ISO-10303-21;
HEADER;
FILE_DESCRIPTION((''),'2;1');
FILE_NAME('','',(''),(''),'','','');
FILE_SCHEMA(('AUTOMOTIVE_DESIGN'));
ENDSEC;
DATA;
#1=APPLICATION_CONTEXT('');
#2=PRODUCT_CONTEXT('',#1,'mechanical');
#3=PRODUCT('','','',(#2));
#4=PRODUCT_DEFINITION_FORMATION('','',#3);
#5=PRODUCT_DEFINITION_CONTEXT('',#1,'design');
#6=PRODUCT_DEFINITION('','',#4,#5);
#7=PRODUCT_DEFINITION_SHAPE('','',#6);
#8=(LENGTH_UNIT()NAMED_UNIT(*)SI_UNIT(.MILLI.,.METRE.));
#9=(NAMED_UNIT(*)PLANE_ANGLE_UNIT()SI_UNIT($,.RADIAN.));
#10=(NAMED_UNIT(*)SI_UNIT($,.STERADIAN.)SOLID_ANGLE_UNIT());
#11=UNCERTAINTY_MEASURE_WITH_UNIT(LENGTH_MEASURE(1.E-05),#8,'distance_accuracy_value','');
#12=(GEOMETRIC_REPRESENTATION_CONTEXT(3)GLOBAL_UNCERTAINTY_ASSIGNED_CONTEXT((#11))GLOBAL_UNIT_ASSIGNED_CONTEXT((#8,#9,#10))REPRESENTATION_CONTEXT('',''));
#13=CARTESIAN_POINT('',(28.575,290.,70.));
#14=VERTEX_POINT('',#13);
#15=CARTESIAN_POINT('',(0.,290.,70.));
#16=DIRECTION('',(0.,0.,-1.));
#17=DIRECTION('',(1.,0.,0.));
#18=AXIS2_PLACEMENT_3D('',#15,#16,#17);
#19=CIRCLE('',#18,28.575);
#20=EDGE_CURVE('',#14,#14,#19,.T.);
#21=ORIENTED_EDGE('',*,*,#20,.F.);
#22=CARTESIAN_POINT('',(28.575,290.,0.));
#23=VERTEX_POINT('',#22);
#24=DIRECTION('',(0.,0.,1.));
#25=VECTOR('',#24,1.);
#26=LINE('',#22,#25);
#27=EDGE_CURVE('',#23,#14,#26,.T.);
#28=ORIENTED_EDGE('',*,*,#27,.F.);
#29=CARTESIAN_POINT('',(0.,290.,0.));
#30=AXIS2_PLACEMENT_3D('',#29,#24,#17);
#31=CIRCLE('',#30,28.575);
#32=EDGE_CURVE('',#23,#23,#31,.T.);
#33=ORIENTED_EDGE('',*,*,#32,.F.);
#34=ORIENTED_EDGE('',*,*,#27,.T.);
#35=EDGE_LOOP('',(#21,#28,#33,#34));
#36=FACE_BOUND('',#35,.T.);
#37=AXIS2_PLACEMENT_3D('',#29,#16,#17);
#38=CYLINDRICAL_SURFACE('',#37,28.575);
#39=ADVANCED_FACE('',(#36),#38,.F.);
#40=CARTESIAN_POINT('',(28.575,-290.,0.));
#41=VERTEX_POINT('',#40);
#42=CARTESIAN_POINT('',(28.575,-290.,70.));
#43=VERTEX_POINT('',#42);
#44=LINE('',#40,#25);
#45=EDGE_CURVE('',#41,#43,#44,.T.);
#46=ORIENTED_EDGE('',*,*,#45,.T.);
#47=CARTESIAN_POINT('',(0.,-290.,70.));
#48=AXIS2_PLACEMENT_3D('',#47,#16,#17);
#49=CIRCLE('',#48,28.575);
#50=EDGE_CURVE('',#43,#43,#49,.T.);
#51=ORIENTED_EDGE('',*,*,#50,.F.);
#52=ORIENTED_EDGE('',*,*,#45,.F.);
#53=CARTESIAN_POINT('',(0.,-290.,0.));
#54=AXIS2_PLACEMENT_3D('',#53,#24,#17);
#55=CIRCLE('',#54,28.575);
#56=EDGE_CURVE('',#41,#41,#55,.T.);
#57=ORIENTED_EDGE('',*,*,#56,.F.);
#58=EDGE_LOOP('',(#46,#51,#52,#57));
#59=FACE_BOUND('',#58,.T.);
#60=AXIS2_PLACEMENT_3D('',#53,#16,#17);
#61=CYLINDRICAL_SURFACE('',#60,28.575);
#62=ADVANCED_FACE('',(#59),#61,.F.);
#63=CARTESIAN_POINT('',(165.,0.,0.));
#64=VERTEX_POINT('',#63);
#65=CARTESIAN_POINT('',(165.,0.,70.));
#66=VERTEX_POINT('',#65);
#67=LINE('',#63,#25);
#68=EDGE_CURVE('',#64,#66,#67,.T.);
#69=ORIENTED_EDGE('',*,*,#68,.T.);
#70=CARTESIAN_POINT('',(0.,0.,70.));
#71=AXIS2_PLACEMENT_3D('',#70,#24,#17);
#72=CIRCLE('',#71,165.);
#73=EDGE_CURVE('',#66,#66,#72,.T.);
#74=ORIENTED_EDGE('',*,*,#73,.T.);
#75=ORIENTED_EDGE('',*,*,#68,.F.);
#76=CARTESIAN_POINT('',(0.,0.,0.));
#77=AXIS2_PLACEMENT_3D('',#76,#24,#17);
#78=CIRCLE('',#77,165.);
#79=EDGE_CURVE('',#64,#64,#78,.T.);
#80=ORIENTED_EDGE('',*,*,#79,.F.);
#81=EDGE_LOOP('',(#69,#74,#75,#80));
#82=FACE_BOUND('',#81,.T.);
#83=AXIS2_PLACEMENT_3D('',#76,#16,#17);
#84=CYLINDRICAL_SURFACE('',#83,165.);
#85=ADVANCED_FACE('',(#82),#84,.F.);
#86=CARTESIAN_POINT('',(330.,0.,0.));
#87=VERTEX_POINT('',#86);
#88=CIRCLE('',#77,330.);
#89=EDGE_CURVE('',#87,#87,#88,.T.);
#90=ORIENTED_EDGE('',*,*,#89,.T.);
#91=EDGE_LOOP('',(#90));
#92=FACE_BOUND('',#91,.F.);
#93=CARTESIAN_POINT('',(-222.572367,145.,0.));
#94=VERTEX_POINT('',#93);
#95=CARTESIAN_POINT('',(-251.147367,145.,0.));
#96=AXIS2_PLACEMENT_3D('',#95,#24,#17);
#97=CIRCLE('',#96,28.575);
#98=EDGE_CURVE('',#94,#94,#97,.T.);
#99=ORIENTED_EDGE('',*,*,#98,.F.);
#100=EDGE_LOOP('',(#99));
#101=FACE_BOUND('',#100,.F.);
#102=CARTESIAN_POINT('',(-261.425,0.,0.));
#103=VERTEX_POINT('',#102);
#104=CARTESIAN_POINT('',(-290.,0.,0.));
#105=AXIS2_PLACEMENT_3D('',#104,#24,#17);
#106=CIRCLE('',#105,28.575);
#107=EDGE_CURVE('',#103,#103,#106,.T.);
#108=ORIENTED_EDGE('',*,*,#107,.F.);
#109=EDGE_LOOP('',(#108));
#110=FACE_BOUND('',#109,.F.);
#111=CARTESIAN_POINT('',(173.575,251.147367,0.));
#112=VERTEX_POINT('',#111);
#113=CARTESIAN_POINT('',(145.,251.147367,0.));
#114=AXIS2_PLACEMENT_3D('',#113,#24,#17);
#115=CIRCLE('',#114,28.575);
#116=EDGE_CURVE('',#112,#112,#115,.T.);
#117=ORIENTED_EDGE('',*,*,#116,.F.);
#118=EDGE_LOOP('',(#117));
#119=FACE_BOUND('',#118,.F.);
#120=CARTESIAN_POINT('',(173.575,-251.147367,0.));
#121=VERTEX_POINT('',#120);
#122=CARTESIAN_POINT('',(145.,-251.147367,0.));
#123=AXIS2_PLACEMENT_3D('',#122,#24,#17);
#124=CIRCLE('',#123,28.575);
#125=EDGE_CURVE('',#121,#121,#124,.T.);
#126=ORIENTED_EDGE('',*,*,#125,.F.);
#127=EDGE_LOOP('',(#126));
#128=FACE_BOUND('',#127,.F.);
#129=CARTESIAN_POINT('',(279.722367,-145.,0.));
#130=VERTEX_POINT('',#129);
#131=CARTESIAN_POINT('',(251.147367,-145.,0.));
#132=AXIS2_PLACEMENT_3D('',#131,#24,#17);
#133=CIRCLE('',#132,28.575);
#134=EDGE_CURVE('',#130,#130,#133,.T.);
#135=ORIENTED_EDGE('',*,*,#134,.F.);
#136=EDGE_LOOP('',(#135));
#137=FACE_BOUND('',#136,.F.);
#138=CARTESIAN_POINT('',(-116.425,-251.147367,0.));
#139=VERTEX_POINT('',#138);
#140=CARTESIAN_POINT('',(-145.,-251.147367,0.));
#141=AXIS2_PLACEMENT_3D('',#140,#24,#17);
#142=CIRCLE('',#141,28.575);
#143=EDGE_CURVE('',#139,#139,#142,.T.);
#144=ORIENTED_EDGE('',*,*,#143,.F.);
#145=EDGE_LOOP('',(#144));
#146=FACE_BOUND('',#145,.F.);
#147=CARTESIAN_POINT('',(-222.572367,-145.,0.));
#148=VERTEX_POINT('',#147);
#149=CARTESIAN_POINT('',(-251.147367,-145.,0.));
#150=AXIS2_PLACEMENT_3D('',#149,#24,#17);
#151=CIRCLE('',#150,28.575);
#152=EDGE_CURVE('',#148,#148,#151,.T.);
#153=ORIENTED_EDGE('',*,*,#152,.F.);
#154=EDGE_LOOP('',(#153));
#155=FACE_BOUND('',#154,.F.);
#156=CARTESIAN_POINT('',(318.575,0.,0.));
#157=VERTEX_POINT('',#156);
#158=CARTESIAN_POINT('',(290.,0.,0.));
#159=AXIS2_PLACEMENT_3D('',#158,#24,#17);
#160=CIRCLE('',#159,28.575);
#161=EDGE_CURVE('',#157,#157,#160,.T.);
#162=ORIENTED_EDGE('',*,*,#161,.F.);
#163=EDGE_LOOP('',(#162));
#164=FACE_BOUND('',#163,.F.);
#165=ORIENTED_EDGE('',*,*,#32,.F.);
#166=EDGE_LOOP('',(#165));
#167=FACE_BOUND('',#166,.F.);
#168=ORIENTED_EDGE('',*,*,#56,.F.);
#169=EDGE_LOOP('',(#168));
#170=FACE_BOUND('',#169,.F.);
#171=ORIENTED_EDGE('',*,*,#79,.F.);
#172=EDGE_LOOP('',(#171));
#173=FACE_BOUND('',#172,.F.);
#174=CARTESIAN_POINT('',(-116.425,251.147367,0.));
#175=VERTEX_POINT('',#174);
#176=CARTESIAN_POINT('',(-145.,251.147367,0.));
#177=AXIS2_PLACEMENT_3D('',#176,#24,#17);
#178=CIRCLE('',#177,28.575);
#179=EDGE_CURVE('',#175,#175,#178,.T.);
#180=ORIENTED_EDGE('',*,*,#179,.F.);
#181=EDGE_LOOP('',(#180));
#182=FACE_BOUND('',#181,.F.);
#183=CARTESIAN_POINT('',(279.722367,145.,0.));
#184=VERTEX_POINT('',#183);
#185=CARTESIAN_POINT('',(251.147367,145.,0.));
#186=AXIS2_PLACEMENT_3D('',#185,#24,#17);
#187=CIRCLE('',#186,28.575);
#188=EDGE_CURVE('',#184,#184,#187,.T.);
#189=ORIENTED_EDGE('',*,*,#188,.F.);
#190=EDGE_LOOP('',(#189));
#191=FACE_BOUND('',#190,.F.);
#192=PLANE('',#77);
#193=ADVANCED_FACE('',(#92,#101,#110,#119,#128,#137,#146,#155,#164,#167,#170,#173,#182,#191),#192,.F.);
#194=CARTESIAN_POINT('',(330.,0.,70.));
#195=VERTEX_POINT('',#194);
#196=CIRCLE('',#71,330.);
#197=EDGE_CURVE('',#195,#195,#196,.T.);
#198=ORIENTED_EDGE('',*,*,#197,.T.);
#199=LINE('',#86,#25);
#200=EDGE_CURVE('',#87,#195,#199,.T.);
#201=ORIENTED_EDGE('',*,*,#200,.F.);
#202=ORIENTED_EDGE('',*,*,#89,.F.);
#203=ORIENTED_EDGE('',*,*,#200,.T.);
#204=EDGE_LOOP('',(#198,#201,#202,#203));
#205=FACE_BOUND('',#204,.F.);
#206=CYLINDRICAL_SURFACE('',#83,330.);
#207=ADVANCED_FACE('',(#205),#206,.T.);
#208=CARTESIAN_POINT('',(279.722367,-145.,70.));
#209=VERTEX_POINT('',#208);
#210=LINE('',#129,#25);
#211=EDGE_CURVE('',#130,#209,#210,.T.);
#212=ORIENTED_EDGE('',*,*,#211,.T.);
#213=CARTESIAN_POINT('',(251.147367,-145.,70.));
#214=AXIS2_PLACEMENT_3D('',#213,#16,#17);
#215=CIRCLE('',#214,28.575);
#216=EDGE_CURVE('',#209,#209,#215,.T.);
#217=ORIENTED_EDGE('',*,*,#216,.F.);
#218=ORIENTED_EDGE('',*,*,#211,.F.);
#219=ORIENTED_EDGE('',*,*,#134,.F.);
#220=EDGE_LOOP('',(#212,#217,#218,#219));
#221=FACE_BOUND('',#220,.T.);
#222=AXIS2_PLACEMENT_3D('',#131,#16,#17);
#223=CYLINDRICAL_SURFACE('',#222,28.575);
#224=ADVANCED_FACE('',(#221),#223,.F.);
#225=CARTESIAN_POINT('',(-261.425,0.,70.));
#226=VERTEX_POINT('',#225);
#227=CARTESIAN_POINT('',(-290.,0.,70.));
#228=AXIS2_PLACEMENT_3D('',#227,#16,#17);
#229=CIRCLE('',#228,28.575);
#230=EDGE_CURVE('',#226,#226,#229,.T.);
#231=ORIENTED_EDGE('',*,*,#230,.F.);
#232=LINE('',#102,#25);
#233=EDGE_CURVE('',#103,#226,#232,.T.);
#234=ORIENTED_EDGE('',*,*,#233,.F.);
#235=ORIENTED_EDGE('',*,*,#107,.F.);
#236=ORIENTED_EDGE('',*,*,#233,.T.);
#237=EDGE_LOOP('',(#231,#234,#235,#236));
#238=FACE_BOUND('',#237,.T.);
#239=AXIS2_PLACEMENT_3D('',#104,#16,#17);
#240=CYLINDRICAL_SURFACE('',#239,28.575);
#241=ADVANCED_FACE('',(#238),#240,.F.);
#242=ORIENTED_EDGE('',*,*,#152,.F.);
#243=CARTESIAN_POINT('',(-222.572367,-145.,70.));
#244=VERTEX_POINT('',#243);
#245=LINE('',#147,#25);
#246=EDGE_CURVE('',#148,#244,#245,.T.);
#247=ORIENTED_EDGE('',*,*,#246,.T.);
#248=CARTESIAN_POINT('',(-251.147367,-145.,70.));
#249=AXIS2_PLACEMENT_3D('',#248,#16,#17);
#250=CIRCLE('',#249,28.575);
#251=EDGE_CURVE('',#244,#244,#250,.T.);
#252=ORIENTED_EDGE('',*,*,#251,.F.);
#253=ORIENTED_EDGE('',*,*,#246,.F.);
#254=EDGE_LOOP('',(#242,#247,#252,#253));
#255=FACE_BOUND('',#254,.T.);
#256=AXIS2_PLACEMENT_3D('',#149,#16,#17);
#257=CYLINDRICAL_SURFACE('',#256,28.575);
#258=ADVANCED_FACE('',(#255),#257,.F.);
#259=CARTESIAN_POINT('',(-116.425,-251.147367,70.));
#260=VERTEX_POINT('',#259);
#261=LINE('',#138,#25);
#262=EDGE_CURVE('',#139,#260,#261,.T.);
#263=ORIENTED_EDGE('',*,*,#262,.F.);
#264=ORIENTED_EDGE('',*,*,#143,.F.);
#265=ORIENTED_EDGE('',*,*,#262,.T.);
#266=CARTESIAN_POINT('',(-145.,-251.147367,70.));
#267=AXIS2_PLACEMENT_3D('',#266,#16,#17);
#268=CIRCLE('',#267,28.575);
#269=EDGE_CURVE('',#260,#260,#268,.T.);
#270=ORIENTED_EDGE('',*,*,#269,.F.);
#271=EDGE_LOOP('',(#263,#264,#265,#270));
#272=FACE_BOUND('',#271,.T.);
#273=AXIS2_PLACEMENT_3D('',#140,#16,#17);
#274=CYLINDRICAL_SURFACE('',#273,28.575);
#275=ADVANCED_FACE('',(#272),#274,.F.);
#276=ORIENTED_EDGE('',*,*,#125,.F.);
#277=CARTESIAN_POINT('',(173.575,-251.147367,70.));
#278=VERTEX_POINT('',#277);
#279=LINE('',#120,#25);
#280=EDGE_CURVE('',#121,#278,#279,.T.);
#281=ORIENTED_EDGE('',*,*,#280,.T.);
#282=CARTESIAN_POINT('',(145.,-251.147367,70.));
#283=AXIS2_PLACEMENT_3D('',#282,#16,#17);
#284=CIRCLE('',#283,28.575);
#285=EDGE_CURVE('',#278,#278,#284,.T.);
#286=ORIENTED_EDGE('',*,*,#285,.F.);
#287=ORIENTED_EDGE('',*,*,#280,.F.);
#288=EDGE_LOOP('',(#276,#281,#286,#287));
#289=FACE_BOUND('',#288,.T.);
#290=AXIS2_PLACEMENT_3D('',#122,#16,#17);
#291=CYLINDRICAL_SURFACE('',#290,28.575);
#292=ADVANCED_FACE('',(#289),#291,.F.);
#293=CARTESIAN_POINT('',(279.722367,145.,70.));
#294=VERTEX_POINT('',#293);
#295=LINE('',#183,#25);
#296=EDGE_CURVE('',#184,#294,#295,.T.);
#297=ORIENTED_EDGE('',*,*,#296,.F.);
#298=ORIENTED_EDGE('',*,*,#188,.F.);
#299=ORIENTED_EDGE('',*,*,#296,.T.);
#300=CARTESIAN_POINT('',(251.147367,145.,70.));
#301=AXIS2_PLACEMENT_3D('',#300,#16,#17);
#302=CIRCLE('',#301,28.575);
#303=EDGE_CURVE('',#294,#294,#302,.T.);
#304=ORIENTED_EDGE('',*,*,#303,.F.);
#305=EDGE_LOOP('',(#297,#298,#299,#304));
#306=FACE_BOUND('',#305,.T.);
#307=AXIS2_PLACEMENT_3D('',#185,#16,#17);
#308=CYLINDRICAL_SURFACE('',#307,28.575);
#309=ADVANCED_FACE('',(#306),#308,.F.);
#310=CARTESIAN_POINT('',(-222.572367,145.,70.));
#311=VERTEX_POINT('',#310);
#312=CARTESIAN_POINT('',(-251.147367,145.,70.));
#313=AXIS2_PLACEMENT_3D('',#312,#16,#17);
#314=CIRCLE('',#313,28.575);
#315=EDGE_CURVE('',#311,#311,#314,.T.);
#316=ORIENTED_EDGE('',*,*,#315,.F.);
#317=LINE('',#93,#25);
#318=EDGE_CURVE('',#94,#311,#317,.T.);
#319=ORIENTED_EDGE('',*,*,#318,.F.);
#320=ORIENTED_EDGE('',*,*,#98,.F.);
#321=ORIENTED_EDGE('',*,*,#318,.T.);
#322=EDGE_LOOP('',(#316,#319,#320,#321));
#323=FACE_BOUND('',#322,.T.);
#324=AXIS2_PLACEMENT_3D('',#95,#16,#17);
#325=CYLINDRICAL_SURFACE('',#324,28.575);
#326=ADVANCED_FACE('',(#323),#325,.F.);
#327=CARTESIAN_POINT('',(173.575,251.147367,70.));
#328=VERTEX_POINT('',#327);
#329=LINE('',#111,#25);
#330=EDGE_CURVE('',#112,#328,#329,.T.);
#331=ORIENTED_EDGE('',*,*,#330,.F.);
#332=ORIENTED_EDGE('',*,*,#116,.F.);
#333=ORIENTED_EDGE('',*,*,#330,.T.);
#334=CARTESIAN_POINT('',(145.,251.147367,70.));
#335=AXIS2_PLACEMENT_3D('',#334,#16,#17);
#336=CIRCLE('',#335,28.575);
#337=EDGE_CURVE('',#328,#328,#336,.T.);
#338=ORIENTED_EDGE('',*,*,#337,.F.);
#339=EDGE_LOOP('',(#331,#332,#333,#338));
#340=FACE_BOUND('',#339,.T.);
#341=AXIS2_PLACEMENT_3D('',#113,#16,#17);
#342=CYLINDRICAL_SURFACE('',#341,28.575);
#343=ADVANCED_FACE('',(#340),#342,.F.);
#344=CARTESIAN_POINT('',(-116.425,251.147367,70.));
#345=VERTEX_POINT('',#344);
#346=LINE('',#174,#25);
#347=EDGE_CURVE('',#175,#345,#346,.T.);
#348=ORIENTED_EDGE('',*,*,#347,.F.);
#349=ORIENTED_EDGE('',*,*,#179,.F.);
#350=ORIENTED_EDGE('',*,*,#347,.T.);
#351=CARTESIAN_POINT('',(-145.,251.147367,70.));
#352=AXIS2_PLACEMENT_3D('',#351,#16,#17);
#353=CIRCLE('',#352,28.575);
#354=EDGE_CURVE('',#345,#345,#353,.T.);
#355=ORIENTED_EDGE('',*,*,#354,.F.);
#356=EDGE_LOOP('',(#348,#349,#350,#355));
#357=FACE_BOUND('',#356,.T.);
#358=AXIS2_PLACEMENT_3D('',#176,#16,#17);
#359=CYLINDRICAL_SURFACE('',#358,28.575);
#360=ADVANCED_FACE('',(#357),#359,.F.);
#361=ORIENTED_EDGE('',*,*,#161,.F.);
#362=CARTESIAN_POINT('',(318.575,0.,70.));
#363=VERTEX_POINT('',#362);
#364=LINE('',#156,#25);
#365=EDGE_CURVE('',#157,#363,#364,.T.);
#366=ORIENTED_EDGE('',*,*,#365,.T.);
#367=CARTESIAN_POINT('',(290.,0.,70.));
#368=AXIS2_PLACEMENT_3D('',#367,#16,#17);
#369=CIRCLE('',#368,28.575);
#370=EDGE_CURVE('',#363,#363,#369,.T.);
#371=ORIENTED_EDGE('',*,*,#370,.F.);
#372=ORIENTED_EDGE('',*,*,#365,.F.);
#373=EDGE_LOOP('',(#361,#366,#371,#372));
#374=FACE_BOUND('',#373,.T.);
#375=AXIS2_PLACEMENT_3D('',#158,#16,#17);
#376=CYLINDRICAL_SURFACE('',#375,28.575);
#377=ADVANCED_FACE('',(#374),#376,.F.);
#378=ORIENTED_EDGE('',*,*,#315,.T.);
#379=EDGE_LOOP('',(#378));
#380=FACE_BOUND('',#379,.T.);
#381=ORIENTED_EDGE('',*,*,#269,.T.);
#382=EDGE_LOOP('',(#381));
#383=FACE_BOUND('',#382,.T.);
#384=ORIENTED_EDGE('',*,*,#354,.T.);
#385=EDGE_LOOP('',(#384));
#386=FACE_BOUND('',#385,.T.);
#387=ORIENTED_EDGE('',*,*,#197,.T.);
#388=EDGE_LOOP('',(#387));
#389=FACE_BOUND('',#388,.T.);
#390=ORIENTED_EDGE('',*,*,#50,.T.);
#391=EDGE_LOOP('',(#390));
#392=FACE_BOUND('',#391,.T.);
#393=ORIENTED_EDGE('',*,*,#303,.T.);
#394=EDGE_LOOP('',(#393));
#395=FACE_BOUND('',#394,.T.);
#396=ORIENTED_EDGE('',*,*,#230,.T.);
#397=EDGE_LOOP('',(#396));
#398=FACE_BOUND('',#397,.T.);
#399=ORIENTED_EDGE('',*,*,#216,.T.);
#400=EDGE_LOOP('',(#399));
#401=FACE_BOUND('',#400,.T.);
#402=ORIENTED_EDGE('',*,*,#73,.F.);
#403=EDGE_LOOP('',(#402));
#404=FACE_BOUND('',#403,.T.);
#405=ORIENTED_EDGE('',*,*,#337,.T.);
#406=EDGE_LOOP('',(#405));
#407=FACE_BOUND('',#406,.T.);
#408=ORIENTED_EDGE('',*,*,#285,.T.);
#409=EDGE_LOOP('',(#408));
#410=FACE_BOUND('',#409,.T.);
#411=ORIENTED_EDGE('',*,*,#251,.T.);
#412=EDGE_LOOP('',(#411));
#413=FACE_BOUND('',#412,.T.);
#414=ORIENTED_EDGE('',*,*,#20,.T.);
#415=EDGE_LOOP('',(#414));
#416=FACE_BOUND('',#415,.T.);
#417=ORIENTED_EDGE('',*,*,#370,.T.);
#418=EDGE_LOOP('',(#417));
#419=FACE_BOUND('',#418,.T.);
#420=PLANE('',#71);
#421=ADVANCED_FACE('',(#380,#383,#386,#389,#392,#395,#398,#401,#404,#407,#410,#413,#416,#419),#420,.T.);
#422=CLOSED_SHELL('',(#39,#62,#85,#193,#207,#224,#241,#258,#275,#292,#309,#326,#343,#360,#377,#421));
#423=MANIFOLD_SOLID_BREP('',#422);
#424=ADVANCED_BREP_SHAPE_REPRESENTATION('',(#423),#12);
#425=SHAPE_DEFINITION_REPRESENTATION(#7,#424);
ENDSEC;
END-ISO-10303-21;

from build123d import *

# Parameters (mm, degrees)
SKETCH1_R           = 330
SKETCH1_R_2         = 165
BOSS_EXTRUDE1_DEPTH = 70
SKETCH2_R           = 28.575
CUT_EXTRUDE1_DEPTH  = 131


with BuildPart() as part:
    # Sketch1 → Boss-Extrude1 (new body)
    with BuildSketch(Plane.XY):
        Circle(SKETCH1_R)
        Circle(SKETCH1_R_2, mode=Mode.SUBTRACT)
    extrude(amount=BOSS_EXTRUDE1_DEPTH)

    # Sketch2 → Cut-Extrude1 (cut)
    with BuildSketch(Plane.XY):
        with Locations((0, 290)):
            Circle(SKETCH2_R)
        with Locations((145, 251.147367097)):
            Circle(SKETCH2_R)
        with Locations((251.147367097, 145)):
            Circle(SKETCH2_R)
        with Locations((290, 0)):
            Circle(SKETCH2_R)
        with Locations((251.147367098, -145)):
            Circle(SKETCH2_R)
        with Locations((145, -251.147367097)):
            Circle(SKETCH2_R)
        with Locations((0, -290)):
            Circle(SKETCH2_R)
        with Locations((-145, -251.147367097)):
            Circle(SKETCH2_R)
        with Locations((-251.147367097, -145)):
            Circle(SKETCH2_R)
        with Locations((-290, 0)):
            Circle(SKETCH2_R)
        with Locations((-251.147367097, 145)):
            Circle(SKETCH2_R)
        with Locations((-145, 251.147367097)):
            Circle(SKETCH2_R)
    extrude(amount=CUT_EXTRUDE1_DEPTH, mode=Mode.SUBTRACT)


solid = part.part
